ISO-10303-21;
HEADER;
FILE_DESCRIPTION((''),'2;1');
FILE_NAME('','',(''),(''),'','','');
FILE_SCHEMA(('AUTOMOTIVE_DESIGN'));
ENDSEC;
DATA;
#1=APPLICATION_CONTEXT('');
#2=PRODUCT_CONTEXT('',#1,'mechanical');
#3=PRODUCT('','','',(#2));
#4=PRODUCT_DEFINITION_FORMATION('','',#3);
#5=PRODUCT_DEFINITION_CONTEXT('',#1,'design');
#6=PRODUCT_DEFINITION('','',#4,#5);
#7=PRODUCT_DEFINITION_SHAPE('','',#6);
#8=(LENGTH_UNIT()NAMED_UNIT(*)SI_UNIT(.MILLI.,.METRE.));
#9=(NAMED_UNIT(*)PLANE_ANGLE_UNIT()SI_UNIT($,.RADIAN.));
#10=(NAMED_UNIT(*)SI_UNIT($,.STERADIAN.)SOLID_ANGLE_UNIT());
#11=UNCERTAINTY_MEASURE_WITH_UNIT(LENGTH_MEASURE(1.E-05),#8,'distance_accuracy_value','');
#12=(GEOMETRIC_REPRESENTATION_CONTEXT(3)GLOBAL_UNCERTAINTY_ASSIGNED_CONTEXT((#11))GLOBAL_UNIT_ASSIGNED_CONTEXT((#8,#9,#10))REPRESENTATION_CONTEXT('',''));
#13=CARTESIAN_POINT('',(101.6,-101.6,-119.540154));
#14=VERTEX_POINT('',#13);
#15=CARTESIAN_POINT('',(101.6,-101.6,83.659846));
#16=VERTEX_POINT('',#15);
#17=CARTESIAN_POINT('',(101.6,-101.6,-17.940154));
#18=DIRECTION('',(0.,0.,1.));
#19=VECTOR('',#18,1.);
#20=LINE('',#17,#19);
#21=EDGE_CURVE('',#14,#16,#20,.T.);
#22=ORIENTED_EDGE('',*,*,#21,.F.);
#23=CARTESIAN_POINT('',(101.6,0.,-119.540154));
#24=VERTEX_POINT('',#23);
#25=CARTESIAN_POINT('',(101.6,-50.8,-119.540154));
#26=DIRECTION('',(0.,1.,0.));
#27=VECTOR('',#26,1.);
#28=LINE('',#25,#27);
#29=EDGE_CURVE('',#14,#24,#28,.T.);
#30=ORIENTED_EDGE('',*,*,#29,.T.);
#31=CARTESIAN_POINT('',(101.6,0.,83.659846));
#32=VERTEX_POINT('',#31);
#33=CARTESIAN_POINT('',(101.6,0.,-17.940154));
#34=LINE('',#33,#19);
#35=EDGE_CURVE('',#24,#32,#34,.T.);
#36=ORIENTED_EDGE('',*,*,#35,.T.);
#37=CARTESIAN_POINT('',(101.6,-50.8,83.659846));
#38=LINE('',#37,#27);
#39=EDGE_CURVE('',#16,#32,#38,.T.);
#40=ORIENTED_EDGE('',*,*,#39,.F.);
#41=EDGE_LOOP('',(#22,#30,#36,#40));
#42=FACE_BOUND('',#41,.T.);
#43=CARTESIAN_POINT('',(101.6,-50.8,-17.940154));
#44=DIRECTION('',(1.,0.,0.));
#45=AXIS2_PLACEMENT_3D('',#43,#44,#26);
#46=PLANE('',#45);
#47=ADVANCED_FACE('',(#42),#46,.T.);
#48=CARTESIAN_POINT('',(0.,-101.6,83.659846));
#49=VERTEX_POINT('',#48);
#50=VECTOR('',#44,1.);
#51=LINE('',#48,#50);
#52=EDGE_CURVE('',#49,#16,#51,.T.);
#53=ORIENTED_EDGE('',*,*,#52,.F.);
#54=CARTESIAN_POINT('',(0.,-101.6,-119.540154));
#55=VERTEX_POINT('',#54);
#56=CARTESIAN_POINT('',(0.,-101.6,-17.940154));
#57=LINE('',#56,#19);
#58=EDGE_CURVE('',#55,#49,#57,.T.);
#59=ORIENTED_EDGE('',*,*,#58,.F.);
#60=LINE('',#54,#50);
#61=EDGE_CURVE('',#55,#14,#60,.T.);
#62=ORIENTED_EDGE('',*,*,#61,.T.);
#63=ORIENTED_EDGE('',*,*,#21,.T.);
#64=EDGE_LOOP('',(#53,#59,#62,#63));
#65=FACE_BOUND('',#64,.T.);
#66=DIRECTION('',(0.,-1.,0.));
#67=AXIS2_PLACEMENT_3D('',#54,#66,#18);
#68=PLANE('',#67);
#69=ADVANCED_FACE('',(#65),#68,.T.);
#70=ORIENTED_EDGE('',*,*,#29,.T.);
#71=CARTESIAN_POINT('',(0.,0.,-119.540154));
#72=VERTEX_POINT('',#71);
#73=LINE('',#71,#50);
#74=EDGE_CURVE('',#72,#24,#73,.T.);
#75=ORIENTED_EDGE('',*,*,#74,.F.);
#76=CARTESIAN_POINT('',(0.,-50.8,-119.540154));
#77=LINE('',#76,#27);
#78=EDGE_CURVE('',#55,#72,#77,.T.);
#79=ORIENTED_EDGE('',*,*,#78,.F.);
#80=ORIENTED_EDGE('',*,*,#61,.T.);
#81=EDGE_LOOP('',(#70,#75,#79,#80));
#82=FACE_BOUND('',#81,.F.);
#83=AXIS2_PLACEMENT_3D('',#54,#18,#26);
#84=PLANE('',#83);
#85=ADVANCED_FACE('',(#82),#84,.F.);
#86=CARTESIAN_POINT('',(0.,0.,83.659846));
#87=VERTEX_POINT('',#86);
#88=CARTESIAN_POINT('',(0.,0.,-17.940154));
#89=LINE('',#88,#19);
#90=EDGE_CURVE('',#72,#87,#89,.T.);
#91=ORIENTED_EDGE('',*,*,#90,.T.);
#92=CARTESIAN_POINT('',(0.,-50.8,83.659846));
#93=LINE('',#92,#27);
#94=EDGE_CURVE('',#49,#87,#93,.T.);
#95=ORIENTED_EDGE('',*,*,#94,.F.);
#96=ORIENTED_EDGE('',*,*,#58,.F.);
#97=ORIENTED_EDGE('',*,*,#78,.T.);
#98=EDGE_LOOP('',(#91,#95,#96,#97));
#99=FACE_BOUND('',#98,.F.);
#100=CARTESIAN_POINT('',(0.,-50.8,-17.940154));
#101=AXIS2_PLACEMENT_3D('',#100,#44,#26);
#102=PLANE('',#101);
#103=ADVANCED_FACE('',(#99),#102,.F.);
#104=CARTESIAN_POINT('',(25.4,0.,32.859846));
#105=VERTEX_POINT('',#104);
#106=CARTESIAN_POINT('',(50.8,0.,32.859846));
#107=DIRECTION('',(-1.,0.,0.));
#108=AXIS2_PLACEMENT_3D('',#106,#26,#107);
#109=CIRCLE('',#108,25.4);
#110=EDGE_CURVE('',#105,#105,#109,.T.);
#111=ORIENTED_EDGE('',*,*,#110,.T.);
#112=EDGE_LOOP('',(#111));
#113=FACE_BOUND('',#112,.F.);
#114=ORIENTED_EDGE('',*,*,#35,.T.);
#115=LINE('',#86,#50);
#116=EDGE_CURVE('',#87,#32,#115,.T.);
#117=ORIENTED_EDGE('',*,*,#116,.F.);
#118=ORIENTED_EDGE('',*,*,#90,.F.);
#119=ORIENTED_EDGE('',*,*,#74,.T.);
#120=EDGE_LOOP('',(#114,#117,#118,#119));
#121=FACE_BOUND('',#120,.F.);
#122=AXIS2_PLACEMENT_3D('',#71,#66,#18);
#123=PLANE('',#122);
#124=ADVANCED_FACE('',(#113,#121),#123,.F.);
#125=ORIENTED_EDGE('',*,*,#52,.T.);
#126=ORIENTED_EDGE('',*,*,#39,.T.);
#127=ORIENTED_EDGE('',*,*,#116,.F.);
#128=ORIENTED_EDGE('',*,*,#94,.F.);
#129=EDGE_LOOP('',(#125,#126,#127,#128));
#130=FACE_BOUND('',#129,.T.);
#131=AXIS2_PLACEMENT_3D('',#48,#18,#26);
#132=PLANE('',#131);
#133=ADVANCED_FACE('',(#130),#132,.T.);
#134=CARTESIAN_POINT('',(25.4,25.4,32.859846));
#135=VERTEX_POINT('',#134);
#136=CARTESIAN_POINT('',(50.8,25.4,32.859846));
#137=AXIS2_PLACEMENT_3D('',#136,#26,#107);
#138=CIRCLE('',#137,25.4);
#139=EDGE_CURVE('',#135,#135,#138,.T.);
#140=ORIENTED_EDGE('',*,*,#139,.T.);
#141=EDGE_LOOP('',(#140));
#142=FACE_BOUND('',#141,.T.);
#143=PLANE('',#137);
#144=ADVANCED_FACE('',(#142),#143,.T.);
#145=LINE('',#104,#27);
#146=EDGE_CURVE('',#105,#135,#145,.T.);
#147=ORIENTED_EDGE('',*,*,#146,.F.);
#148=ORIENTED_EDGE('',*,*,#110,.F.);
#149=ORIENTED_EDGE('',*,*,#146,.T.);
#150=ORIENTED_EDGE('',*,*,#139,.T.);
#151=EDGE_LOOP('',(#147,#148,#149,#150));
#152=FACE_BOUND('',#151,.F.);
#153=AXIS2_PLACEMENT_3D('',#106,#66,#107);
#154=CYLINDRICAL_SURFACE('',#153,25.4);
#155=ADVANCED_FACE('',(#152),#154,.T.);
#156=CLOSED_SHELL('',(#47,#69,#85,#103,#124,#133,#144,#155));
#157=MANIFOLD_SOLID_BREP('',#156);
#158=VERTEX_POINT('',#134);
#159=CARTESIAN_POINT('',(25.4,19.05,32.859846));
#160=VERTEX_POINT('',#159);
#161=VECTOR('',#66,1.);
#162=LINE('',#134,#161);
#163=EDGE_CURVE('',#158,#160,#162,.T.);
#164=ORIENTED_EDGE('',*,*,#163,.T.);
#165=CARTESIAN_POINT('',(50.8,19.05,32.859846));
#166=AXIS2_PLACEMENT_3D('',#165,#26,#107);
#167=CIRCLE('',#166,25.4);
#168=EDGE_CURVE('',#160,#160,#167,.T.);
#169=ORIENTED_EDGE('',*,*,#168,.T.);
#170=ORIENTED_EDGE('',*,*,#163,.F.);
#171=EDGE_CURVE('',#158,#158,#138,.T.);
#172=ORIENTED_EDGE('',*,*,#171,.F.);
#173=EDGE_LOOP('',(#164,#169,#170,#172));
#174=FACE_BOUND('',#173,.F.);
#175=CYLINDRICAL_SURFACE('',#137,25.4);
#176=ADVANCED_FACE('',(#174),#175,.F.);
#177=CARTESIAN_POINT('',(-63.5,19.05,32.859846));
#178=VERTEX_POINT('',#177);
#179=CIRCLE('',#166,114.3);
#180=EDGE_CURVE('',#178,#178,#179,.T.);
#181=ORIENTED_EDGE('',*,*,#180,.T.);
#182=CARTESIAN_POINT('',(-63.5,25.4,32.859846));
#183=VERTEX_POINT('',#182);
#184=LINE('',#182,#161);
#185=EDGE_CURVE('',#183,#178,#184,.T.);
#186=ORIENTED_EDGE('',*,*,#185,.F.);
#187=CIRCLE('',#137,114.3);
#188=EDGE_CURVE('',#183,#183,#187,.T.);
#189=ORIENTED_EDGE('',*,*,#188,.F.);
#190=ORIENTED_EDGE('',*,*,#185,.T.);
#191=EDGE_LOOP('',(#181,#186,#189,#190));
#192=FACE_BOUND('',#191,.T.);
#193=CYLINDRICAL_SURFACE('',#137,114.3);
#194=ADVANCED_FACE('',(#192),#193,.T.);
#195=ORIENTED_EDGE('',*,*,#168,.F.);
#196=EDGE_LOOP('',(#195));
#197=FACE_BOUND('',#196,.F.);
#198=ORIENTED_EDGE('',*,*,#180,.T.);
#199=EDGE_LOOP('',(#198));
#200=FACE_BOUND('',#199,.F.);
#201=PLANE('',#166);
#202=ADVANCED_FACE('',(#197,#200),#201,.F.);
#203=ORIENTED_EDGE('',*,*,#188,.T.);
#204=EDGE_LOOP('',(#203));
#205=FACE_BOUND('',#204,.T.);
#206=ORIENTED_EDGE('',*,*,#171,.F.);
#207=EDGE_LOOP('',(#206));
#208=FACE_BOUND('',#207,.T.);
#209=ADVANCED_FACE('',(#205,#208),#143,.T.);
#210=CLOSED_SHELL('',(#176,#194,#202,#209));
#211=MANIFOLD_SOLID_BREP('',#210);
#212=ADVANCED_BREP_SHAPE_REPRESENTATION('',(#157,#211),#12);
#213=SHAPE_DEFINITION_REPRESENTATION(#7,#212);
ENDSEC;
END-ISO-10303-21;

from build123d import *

# Parameters (mm, degrees)
F0_W     = 101.6
F0_H     = 203.2
F1_DEPTH = 101.6
F2_R     = 25.4
F3_DEPTH = 25.4
F4_R     = 114.3
F4_R_2   = 25.4
F5_DEPTH = 6.35


with BuildPart() as f1:
    # F0 (on Right) → F1 (new body)
    with BuildSketch(Plane.YZ):
        with Locations((-50.8, -17.940154)):
            Rectangle(F0_W, F0_H)
    extrude(amount=F1_DEPTH)

    # F2 (on face) → F3 (join)
    with BuildSketch(Plane(origin=(0, 0, 0), x_dir=(-1, 0, 0), z_dir=(0, 1, 0))):
        with Locations((-50.8, 32.859846)):
            Circle(F2_R)
    extrude(amount=F3_DEPTH)


with BuildPart() as f5:
    # F4 (on face) → F5 (new body)
    with BuildSketch(Plane(origin=(0, 25.4, 0), x_dir=(-1, 0, 0), z_dir=(0, 1, 0))):
        with Locations((-50.8, 32.859846)):
            Circle(F4_R)
        with Locations((-50.8, 32.859846)):
            Circle(F4_R_2, mode=Mode.SUBTRACT)
    extrude(amount=-F5_DEPTH)


solid = Compound([f1.part, f5.part])
